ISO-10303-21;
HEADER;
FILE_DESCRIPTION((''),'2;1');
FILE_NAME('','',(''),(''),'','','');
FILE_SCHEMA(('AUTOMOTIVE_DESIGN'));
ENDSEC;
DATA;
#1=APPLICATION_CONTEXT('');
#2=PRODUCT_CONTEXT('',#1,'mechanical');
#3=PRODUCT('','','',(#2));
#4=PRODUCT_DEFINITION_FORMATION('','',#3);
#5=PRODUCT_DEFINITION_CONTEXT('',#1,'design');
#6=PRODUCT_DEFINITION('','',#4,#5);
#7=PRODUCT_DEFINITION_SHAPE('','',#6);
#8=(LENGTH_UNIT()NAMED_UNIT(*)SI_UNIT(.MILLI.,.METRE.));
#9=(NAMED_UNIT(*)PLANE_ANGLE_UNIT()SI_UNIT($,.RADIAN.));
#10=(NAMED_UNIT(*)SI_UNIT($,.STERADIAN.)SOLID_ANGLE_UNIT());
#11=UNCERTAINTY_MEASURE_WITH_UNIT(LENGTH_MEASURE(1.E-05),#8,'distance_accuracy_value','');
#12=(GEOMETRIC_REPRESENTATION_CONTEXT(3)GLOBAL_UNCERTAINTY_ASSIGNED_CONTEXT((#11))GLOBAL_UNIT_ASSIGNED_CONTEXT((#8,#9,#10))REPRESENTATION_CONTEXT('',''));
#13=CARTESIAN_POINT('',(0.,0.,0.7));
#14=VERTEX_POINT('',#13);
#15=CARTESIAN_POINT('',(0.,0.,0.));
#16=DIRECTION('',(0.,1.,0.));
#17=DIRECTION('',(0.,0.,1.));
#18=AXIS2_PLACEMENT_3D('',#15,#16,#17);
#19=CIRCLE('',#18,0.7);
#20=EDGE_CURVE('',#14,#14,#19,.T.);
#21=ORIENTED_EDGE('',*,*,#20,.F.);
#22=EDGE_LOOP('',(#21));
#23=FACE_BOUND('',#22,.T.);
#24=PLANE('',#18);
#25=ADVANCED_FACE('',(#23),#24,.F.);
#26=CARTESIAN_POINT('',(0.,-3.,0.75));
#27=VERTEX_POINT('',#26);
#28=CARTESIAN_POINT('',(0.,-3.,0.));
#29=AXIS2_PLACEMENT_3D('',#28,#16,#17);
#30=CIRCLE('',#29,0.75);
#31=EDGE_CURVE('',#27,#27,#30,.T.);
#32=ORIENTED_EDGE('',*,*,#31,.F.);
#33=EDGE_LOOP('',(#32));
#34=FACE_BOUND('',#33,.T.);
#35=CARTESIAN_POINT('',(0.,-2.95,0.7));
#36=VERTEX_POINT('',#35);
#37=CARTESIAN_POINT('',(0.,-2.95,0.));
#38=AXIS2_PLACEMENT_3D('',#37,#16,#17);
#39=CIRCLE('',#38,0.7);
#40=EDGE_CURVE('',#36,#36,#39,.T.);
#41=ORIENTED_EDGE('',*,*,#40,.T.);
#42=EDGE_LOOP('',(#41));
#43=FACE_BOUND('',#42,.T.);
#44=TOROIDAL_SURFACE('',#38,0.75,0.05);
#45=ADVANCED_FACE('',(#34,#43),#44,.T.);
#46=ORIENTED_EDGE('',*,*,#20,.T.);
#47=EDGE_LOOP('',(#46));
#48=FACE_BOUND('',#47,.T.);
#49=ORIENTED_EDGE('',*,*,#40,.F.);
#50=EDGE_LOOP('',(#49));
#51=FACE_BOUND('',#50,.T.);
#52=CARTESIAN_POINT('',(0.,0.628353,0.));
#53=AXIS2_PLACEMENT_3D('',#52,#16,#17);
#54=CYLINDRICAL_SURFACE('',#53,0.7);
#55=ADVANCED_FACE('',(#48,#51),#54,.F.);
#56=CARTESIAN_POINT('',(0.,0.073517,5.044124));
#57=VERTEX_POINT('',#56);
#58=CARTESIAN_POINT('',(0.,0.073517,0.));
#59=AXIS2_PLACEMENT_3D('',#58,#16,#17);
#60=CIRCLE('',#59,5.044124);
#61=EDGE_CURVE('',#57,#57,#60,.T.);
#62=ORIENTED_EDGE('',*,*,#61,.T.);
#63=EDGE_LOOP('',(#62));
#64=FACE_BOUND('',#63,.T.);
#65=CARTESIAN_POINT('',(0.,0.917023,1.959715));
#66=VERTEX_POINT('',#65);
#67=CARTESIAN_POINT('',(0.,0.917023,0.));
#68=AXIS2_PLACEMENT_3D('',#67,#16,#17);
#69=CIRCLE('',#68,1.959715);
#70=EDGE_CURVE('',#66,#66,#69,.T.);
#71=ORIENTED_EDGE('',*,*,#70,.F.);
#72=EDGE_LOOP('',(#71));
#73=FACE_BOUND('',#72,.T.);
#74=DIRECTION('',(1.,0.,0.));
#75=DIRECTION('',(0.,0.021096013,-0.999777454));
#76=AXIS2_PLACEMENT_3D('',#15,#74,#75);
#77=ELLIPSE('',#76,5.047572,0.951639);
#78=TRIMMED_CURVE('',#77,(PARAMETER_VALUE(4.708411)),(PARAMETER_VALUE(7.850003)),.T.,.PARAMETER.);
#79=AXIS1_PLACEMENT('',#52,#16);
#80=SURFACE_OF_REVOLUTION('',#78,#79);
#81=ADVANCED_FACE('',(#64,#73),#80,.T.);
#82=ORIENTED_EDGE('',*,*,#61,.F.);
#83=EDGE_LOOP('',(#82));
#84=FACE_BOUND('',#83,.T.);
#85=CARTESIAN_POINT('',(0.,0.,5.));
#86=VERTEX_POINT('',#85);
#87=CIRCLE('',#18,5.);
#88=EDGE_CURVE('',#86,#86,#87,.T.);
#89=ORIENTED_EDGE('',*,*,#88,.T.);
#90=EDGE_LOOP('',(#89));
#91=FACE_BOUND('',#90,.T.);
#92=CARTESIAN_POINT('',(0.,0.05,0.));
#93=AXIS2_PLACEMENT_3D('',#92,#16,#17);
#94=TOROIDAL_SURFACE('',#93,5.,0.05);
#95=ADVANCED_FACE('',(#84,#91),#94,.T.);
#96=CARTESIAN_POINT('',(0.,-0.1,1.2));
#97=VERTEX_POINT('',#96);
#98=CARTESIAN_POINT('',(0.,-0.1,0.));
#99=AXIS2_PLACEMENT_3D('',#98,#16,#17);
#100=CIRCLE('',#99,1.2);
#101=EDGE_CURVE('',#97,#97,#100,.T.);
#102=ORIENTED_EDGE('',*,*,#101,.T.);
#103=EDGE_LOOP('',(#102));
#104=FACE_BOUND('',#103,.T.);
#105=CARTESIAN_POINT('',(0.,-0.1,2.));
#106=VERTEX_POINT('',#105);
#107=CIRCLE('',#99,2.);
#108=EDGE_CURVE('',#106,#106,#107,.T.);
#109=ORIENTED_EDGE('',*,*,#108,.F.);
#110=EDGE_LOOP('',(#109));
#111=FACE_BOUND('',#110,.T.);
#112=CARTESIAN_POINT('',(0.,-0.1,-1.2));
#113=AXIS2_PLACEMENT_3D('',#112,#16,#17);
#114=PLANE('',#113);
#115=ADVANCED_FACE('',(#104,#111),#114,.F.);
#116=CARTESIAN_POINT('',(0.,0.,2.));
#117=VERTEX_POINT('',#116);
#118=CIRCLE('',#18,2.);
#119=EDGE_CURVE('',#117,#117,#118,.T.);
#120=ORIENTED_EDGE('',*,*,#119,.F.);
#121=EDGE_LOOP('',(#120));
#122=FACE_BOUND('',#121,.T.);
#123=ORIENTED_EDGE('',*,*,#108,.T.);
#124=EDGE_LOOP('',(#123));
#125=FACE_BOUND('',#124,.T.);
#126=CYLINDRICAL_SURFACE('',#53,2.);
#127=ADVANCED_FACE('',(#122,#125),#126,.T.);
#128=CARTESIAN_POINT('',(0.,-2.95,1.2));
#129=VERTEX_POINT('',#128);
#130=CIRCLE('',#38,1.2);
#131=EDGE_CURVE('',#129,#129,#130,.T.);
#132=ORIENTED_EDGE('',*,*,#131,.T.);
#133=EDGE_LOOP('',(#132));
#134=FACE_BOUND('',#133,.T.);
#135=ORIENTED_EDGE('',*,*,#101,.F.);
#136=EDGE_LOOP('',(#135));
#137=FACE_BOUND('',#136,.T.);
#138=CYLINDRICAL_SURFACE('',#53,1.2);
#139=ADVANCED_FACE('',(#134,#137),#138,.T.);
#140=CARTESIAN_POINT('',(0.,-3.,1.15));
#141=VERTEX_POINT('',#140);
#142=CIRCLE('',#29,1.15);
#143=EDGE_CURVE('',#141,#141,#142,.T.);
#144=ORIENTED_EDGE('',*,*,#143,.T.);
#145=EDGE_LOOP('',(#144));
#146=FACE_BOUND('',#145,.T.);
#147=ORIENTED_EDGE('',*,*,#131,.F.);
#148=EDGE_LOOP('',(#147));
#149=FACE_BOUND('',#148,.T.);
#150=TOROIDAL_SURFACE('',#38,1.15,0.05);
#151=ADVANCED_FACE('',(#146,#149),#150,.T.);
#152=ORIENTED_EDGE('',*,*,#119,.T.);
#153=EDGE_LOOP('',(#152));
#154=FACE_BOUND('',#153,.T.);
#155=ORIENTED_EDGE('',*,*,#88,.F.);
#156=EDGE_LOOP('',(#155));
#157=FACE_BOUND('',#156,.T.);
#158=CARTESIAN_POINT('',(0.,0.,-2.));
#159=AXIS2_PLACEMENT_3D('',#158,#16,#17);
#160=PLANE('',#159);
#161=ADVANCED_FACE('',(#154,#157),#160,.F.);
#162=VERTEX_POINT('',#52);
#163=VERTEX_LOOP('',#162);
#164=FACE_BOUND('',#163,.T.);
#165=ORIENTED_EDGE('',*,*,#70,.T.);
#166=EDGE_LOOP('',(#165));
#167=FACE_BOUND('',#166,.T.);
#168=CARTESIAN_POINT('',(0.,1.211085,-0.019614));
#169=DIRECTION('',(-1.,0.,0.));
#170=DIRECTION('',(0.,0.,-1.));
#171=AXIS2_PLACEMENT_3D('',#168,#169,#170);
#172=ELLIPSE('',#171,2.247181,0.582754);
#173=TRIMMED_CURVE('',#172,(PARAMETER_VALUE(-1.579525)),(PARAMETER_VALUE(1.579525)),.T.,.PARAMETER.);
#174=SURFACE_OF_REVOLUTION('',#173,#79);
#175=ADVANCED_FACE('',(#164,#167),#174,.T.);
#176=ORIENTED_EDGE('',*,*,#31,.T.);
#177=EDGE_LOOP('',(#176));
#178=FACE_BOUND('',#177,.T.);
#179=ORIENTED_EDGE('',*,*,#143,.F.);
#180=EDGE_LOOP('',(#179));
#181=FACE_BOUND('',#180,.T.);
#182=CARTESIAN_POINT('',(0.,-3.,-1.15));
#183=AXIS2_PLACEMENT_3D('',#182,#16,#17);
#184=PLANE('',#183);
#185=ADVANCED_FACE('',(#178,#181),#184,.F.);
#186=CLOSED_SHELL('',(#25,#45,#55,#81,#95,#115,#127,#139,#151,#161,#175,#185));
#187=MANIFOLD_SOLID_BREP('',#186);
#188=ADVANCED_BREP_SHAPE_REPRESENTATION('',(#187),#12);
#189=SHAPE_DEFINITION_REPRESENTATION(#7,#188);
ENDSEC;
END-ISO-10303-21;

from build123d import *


with BuildPart() as part:
    # Sketch1 → Revolve1 (revolve)
    with BuildSketch(Plane(origin=(0, 0, 0), x_dir=(0, 0, -1), z_dir=(1, 0, 0))):
        with BuildLine():
            Line((0, 0), (0.7, 0))
            Line((0.7, 0), (0.7, -2.95))
            ThreePointArc((0.7, -2.95), (0.714644661, -2.985355339), (0.75, -3))
            Line((0.75, -3), (1.15, -3))
            ThreePointArc((1.15, -3), (1.185355339, -2.985355339), (1.2, -2.95))
            Line((1.2, -2.95), (1.2, -0.1))
            Line((1.2, -0.1), (2, -0.1))
            Line((2, -0.1), (2, 0))
            Line((2, 0), (5, 0))
            ThreePointArc((5, 0), (5.042871169, 0.024269418), (5.044124005, 0.073517487))
            add(Edge.make_bspline(
                [(5.044124005, 0.073517487), (5.150084824, 0.728367306), (1.959714512, 0.917022897)],
                knots=[6.248596197, 6.248596197, 6.248596197, 7.451182248, 7.451182248, 7.451182248], degree=2, weights=[1, 0.824604828, 1]))
            add(Edge.make_bspline(
                [(0, 0.628352907), (1.302459015, 0.625404776), (1.959714512, 0.917022897)],
                knots=[4.703660792, 4.703660792, 4.703660792, 5.754258139, 5.754258139, 5.754258139], degree=2, weights=[1, 0.865174204, 1]))
            Line((0, 0.628352907), (0, 0))
        make_face()
    revolve(axis=Axis((0, 0.628352907, 0), (0, -1, 0)))


solid = part.part
